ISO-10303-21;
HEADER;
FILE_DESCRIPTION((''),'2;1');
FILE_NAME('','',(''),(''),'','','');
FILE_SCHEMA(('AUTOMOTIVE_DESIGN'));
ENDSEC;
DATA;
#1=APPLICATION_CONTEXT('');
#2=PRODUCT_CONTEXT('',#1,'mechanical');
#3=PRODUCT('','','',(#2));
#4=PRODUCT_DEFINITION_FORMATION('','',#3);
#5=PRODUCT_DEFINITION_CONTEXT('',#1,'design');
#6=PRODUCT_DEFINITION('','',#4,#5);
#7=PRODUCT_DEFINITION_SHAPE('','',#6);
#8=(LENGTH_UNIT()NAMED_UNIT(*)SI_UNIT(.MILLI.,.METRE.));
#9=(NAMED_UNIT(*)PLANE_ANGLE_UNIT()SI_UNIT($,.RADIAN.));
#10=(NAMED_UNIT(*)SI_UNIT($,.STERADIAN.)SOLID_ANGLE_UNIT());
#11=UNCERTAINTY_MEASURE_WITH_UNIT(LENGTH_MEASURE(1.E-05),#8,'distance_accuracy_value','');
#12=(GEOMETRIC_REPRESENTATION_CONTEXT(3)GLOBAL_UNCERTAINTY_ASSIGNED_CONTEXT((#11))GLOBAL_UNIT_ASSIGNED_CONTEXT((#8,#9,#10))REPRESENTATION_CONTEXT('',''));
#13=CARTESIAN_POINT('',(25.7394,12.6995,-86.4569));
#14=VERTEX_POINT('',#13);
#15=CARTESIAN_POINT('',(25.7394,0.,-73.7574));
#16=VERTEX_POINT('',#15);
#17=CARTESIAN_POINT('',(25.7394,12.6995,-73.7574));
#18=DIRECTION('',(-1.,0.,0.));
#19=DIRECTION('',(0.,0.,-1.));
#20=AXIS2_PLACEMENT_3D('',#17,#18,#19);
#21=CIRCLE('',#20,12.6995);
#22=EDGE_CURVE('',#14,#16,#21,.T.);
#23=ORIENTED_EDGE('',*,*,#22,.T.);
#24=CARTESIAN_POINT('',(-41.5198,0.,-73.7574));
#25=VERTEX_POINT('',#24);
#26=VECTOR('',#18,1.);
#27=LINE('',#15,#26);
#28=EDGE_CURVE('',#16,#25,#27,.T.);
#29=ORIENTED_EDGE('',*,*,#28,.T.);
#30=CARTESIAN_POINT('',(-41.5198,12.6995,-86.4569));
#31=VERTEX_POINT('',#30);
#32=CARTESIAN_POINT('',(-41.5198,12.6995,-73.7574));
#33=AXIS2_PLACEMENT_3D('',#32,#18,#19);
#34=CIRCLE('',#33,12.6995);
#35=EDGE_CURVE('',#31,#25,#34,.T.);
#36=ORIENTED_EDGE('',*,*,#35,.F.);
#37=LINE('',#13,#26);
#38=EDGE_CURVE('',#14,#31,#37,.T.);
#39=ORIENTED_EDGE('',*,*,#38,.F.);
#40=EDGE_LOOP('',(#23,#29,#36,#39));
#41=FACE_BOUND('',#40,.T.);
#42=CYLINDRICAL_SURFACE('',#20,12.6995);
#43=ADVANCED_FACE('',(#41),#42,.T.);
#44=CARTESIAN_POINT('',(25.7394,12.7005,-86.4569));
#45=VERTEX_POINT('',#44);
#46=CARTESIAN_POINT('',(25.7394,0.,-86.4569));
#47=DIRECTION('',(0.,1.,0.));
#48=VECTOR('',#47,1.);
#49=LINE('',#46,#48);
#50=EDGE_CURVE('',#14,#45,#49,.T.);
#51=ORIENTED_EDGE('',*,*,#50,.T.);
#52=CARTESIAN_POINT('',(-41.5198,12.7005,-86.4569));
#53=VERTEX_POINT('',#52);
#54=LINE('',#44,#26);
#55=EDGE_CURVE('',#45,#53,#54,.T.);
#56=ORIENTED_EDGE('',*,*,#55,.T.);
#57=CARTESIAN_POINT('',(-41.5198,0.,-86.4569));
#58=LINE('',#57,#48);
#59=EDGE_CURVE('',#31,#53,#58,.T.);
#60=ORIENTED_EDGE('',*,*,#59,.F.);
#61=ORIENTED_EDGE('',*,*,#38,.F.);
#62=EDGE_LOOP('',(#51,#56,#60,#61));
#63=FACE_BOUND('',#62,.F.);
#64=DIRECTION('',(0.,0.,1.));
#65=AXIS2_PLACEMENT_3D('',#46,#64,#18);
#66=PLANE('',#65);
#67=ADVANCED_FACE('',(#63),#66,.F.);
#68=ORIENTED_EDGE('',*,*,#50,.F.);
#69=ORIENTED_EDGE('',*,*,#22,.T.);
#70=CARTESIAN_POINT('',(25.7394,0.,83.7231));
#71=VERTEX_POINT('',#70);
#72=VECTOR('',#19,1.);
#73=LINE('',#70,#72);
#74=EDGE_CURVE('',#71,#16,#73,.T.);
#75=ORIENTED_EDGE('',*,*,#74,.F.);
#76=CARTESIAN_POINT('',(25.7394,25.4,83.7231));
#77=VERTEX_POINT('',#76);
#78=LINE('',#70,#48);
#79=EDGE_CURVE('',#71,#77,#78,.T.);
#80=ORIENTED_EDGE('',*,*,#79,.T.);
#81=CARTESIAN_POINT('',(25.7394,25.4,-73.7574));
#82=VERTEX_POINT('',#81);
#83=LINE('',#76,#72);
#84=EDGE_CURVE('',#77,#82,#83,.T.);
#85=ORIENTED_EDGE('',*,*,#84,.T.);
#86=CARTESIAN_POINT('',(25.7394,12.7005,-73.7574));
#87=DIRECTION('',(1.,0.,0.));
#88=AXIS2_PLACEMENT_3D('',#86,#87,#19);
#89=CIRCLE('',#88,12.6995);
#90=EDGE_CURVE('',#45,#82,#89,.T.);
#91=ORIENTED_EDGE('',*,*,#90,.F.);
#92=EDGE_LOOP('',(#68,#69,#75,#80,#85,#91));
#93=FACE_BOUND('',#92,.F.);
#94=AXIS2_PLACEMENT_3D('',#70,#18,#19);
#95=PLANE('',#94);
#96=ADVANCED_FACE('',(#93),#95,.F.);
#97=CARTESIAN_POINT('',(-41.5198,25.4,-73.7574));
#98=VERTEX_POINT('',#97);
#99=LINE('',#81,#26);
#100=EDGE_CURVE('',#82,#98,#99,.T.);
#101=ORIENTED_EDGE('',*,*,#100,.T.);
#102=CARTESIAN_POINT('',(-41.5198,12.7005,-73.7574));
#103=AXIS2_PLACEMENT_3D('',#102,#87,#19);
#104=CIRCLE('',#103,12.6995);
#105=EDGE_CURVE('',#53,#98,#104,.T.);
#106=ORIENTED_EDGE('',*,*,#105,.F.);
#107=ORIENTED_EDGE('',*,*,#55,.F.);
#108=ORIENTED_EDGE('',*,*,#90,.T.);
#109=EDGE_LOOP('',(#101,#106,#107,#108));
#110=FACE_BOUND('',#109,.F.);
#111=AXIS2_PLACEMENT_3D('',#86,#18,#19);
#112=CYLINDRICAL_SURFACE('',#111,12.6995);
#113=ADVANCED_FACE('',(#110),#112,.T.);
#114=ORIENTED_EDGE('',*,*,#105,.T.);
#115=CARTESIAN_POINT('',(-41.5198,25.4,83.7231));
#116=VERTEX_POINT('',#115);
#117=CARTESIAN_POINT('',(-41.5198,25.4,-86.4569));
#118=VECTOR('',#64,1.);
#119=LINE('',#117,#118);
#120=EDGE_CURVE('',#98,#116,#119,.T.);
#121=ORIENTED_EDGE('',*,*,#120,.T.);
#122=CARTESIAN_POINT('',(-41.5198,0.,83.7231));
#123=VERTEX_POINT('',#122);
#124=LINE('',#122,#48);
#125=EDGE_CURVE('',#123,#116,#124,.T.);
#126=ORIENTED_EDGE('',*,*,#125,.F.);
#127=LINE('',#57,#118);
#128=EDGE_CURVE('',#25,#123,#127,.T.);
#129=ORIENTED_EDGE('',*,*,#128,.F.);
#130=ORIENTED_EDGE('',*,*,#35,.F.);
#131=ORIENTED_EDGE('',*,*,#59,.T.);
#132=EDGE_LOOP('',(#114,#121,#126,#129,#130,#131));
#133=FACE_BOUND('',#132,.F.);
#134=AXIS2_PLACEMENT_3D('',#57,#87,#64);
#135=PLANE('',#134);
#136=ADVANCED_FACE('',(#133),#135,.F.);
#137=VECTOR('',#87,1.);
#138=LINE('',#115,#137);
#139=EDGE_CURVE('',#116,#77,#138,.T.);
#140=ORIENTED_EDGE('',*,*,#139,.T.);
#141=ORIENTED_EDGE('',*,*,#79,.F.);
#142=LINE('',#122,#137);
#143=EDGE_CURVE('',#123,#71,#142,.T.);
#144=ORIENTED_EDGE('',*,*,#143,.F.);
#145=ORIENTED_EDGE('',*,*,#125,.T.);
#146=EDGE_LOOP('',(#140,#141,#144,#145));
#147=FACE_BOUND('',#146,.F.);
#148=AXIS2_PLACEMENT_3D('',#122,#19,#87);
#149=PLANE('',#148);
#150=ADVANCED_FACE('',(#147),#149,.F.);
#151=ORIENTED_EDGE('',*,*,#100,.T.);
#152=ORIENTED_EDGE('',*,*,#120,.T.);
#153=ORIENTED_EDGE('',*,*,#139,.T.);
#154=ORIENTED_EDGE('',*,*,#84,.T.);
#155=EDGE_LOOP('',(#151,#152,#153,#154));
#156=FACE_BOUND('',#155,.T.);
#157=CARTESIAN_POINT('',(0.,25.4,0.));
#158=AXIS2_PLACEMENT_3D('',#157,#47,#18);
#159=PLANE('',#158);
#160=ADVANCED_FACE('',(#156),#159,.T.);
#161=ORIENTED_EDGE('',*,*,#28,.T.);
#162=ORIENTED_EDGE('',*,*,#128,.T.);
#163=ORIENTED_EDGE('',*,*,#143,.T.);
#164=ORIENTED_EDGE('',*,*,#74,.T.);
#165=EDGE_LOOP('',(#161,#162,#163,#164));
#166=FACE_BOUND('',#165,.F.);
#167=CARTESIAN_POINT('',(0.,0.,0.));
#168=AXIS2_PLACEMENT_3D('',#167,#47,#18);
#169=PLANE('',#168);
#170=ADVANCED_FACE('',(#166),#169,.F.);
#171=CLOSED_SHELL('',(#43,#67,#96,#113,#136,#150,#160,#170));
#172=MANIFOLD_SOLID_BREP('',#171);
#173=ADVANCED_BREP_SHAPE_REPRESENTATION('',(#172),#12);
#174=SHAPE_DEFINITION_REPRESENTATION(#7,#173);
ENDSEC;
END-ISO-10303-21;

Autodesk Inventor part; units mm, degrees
ref_plane "YZ Plane" through (0, 0, 0) normal (1, 0, 0) x (0, 1, 0)
ref_plane "XZ Plane" through (0, 0, 0) normal (0, 1, 0) x (-1, 0, 0)
ref_plane "XY Plane" through (0, 0, 0) normal (0, 0, 1) x (1, 0, 0)
sketch "Sketch1" plane through (0, 0, 0) normal (0, 1, 0) x (-1, 0, 0)
  line L0 (41.5198, 83.7231) -> (-25.7394, 83.7231)
  line L1 (-25.7394, 83.7231) -> (-25.7394, -86.4569)
  line L2 (-25.7394, -86.4569) -> (41.5198, -86.4569)
  line L3 (41.5198, -86.4569) -> (41.5198, 83.7231)
  point P0 (0, 0)
  dimension "d0" = 170.18
  dimension "d1" = 67.2592
extrude "Extrusion1" add sketch "Sketch1" along normal blind 25.4
fillet "Fillet1" radius 12.7 2 edges at (-7.8902, 25.4, -86.4569) (-7.8902, 0, -86.4569)
properties part number "Battery"
